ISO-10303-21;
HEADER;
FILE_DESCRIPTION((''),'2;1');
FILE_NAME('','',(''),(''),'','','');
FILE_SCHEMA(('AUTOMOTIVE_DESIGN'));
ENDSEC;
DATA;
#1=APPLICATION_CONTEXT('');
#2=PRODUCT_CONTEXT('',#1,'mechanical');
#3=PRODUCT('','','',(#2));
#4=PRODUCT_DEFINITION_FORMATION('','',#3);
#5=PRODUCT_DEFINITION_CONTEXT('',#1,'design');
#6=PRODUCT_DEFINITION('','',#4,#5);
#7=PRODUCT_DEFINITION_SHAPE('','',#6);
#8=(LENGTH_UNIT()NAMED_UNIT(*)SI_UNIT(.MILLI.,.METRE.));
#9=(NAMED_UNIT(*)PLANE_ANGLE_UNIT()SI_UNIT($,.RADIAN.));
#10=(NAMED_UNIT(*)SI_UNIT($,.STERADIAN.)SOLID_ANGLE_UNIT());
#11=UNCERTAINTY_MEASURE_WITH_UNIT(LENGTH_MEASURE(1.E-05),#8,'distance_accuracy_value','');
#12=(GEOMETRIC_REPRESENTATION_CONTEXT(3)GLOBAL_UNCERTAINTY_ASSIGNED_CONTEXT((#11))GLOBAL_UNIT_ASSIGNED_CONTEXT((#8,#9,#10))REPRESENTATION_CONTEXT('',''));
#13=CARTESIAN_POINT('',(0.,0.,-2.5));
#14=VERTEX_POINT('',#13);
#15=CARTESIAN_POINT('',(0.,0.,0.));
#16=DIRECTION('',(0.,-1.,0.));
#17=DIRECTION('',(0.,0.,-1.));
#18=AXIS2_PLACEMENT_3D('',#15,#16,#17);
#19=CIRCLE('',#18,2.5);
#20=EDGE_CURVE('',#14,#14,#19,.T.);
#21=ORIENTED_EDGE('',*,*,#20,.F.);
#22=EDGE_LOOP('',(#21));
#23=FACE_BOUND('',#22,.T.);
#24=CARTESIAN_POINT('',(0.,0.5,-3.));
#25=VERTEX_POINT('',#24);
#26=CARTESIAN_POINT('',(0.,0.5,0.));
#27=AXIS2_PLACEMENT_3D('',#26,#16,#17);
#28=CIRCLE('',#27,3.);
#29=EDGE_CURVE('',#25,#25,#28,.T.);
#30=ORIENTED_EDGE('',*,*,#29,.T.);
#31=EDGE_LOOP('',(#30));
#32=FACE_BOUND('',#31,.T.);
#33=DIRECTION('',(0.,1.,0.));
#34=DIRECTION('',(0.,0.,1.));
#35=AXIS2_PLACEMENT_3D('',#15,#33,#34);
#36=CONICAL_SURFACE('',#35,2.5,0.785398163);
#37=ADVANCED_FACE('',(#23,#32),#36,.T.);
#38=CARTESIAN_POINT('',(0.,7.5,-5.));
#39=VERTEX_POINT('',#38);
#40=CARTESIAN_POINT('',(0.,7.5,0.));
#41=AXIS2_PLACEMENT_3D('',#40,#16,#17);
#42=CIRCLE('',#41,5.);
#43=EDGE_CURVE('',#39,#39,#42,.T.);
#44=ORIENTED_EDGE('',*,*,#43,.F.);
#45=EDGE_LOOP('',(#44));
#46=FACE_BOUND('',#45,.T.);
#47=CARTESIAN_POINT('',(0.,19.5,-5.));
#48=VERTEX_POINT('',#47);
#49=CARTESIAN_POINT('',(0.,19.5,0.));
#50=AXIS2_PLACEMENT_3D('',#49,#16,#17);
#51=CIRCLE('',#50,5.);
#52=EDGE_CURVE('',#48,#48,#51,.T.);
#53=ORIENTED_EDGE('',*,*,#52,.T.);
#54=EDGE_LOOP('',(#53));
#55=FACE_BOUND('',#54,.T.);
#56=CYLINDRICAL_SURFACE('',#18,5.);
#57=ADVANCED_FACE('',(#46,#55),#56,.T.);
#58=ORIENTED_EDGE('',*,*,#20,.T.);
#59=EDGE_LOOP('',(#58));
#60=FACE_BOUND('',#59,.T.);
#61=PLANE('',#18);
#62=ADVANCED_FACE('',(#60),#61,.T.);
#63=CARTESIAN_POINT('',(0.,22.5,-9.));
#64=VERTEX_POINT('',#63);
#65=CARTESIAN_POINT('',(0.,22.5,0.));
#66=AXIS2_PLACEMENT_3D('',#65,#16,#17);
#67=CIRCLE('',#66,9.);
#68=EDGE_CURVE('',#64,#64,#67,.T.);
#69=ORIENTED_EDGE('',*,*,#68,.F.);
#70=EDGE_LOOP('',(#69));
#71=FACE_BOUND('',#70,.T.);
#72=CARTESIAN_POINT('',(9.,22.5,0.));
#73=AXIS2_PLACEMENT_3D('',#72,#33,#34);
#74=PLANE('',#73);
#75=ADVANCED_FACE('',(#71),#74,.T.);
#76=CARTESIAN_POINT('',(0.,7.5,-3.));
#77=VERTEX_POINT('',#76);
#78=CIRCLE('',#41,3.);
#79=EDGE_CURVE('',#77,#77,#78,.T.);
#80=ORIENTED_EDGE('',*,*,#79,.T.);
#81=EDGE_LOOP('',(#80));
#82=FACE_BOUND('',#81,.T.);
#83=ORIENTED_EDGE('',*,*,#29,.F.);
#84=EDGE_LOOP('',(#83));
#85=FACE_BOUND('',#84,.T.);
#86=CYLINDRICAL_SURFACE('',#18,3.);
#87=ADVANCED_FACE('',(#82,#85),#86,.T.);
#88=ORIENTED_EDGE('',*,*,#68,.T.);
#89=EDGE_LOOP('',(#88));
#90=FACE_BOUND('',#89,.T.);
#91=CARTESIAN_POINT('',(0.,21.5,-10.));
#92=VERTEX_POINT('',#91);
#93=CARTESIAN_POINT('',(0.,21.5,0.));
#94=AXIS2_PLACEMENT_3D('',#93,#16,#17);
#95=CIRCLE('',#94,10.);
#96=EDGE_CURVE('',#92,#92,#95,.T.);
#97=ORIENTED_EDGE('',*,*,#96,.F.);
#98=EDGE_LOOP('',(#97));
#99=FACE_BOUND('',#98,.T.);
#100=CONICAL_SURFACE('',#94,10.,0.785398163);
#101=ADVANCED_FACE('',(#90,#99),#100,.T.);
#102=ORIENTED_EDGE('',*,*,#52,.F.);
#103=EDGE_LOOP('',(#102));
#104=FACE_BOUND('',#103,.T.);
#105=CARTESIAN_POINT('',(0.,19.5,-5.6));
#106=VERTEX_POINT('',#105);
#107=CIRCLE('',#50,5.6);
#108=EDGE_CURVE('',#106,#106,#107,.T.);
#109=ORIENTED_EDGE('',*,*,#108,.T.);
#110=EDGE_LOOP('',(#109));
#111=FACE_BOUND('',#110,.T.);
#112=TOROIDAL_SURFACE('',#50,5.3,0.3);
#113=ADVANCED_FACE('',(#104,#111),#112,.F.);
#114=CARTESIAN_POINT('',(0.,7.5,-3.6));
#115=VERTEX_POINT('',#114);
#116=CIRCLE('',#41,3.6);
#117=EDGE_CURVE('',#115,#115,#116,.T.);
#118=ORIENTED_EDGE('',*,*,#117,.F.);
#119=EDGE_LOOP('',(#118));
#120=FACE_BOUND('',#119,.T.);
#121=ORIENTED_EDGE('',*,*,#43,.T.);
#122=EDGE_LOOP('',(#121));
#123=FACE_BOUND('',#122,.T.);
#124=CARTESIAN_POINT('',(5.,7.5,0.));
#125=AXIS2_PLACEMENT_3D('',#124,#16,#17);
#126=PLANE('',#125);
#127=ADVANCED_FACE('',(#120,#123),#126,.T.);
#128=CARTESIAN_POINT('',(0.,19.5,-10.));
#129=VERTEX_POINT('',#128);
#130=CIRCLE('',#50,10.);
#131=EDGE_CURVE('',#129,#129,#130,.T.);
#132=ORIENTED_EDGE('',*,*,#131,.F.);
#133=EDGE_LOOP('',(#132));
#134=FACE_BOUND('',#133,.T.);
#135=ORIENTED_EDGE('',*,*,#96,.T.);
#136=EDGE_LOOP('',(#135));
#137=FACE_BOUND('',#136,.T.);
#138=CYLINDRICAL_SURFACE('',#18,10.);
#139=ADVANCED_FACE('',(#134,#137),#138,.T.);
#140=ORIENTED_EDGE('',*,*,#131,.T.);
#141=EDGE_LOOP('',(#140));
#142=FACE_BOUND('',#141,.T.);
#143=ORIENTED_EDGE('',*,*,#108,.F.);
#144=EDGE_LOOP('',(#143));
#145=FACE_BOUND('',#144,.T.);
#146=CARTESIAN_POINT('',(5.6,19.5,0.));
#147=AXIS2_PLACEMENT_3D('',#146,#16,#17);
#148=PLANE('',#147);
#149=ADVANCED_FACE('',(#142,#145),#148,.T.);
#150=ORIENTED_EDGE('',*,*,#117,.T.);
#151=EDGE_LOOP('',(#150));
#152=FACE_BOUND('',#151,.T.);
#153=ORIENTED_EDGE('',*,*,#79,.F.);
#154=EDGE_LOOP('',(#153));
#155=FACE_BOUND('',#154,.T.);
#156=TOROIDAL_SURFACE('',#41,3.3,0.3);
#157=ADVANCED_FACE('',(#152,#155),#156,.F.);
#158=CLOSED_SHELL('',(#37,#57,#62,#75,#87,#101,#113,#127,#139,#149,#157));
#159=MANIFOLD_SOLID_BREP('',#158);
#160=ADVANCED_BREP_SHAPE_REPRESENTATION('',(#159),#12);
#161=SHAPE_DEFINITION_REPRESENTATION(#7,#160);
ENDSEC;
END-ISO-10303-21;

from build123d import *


with BuildPart() as part:
    # Esquisse1 → Base-Révolution (revolve)
    with BuildSketch(Plane.XY, mode=Mode.PRIVATE) as base_r_volution_sk:
        with BuildLine():
            Line((0, 0), (2.5, 0))
            Line((2.5, 0), (3, 0.5))
            Line((3, 0.5), (3, 7.5))
            ThreePointArc((3, 7.5), (3.3, 7.8), (3.6, 7.5))
            Line((3.6, 7.5), (5, 7.5))
            Line((5, 7.5), (5, 19.5))
            ThreePointArc((5, 19.5), (5.3, 19.8), (5.6, 19.5))
            Line((5.6, 19.5), (10, 19.5))
            Line((10, 19.5), (10, 21.5))
            Line((10, 21.5), (9, 22.5))
            Line((9, 22.5), (0, 22.5))
            Line((0, 22.5), (0, 0))
        make_face()
    revolve(base_r_volution_sk.sketch.rotate(Axis((0, 0, 0), (0, 1, 0)), 90), axis=Axis((0, 0, 0), (0, 1, 0)))


solid = part.part
